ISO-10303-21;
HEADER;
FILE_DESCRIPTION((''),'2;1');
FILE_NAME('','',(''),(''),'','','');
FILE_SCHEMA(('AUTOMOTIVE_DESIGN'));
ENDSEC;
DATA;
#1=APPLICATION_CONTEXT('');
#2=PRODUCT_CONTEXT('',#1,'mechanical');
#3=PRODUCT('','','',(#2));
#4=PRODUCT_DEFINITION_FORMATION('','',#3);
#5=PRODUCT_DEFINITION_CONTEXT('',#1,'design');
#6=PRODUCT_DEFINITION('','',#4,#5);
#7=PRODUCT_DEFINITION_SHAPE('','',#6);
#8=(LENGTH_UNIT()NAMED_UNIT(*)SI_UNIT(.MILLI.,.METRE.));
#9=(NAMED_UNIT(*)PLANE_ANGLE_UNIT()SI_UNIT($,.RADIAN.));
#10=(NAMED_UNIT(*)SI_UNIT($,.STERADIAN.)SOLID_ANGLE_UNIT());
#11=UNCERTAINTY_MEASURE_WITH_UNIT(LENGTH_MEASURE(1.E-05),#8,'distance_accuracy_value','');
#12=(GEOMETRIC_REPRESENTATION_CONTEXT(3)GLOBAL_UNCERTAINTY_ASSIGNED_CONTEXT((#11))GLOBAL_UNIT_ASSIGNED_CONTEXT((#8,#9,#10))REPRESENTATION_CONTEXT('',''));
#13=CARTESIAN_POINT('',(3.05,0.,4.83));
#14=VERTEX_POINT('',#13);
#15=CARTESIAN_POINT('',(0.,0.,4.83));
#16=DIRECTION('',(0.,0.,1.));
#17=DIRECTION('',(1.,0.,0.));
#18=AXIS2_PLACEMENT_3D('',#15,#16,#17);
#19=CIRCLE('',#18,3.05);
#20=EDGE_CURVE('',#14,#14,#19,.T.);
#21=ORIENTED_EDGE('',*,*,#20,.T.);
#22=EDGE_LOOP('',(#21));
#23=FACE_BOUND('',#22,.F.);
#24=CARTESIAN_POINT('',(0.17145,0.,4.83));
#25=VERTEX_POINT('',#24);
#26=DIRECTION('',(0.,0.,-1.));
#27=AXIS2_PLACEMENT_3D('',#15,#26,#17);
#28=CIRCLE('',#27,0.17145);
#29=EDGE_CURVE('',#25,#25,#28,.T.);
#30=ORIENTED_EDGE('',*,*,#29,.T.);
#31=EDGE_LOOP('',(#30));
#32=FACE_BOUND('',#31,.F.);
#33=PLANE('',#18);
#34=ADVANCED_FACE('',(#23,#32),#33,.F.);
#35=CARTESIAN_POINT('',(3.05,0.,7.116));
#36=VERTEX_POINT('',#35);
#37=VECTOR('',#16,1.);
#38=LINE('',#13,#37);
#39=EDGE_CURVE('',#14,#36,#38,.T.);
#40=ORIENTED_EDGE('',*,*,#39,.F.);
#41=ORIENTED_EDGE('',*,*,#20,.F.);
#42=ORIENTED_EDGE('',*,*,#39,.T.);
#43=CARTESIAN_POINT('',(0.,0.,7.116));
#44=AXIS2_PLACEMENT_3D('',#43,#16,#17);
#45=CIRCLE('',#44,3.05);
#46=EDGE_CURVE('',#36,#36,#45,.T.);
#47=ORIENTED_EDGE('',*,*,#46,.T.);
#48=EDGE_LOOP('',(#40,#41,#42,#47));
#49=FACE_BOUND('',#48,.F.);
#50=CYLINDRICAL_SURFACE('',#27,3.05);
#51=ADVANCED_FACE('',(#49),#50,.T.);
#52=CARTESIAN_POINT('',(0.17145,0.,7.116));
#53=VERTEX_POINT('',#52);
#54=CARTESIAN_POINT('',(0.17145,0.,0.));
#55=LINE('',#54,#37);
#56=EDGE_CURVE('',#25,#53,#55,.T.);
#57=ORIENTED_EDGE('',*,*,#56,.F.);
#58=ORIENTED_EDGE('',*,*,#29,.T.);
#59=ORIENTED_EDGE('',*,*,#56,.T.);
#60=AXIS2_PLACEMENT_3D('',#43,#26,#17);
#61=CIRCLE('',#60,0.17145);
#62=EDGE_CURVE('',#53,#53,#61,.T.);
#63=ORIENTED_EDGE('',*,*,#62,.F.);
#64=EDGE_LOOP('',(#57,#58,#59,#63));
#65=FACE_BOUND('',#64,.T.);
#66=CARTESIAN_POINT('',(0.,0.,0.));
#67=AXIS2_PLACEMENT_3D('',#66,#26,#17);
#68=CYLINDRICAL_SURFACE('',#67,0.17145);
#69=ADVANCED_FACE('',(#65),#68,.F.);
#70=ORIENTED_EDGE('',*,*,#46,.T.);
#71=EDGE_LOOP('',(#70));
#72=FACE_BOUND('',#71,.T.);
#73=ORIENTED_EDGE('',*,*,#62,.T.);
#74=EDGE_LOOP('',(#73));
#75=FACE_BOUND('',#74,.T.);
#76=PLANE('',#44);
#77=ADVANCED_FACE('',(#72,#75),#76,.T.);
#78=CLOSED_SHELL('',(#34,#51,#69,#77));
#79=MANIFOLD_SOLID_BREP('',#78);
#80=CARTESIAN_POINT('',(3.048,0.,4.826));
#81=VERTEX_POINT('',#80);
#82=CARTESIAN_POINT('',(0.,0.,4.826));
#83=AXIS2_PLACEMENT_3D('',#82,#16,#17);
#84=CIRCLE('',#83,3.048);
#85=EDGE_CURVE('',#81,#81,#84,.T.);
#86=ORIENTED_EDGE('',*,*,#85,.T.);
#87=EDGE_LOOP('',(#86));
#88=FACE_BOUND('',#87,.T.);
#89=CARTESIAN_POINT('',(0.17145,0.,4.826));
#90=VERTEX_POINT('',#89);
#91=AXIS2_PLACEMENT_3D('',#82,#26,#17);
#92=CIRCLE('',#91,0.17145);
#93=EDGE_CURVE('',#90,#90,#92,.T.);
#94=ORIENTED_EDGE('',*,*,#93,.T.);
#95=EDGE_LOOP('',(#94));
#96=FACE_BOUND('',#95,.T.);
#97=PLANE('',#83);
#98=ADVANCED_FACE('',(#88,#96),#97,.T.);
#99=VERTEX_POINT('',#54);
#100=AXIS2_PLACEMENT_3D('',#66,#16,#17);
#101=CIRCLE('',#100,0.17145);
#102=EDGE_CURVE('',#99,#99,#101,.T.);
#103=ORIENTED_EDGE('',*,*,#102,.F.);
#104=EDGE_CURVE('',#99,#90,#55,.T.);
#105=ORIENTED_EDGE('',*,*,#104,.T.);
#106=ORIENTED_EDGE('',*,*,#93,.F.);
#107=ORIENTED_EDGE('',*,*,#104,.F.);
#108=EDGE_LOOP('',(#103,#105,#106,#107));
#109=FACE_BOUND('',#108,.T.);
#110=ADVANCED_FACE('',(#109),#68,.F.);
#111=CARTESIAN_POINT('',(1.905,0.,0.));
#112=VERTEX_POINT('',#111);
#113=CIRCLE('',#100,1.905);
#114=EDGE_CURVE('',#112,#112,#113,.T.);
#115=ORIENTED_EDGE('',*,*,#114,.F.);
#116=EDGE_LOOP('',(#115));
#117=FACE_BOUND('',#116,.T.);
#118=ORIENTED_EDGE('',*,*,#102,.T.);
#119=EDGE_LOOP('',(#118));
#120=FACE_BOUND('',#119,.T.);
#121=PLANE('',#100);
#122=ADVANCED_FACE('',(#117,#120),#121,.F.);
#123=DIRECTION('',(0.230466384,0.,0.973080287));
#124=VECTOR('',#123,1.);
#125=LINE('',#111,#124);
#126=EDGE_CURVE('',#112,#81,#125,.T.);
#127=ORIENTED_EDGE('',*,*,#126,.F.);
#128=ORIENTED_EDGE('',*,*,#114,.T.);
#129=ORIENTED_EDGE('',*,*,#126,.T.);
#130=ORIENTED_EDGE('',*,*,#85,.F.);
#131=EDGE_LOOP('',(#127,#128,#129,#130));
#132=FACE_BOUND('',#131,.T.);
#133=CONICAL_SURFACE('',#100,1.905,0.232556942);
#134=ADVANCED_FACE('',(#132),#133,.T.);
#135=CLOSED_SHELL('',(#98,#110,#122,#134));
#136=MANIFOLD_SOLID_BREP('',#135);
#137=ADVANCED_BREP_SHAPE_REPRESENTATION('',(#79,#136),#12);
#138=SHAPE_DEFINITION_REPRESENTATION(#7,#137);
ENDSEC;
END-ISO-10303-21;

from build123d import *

# Parameters (mm, degrees)
CYLINDER001_R     = 0.17145
CYLINDER001_DEPTH = 7.12
CYLINDER_R        = 3.05
CYLINDER_DEPTH    = 2.286


with BuildPart() as fiber0:
    # Cylinder001 → Cylinder001 (new body)
    with BuildSketch(Plane.XY):
        Circle(CYLINDER001_R)
    extrude(amount=CYLINDER001_DEPTH)


with BuildPart() as cylinder:
    # Cylinder → Cylinder (new body)
    with BuildSketch(Plane.XY.offset(4.83)):
        Circle(CYLINDER_R)
    extrude(amount=CYLINDER_DEPTH)


with BuildPart() as swagelokfiberferrulesingle0_125in:
    # Cone → Cone (revolve)
    with BuildSketch(Plane.XZ):
        Polygon((0, 0), (1.905, 0), (3.048, 4.826), (0, 4.826), align=None)
    revolve(axis=Axis((0, 0, 0), (0, 0, 1)))

    # Fusion: union Cylinder
    add(cylinder.part)

    # Cut: cut Fiber0
    add(fiber0.part, mode=Mode.SUBTRACT)


solid = swagelokfiberferrulesingle0_125in.part
